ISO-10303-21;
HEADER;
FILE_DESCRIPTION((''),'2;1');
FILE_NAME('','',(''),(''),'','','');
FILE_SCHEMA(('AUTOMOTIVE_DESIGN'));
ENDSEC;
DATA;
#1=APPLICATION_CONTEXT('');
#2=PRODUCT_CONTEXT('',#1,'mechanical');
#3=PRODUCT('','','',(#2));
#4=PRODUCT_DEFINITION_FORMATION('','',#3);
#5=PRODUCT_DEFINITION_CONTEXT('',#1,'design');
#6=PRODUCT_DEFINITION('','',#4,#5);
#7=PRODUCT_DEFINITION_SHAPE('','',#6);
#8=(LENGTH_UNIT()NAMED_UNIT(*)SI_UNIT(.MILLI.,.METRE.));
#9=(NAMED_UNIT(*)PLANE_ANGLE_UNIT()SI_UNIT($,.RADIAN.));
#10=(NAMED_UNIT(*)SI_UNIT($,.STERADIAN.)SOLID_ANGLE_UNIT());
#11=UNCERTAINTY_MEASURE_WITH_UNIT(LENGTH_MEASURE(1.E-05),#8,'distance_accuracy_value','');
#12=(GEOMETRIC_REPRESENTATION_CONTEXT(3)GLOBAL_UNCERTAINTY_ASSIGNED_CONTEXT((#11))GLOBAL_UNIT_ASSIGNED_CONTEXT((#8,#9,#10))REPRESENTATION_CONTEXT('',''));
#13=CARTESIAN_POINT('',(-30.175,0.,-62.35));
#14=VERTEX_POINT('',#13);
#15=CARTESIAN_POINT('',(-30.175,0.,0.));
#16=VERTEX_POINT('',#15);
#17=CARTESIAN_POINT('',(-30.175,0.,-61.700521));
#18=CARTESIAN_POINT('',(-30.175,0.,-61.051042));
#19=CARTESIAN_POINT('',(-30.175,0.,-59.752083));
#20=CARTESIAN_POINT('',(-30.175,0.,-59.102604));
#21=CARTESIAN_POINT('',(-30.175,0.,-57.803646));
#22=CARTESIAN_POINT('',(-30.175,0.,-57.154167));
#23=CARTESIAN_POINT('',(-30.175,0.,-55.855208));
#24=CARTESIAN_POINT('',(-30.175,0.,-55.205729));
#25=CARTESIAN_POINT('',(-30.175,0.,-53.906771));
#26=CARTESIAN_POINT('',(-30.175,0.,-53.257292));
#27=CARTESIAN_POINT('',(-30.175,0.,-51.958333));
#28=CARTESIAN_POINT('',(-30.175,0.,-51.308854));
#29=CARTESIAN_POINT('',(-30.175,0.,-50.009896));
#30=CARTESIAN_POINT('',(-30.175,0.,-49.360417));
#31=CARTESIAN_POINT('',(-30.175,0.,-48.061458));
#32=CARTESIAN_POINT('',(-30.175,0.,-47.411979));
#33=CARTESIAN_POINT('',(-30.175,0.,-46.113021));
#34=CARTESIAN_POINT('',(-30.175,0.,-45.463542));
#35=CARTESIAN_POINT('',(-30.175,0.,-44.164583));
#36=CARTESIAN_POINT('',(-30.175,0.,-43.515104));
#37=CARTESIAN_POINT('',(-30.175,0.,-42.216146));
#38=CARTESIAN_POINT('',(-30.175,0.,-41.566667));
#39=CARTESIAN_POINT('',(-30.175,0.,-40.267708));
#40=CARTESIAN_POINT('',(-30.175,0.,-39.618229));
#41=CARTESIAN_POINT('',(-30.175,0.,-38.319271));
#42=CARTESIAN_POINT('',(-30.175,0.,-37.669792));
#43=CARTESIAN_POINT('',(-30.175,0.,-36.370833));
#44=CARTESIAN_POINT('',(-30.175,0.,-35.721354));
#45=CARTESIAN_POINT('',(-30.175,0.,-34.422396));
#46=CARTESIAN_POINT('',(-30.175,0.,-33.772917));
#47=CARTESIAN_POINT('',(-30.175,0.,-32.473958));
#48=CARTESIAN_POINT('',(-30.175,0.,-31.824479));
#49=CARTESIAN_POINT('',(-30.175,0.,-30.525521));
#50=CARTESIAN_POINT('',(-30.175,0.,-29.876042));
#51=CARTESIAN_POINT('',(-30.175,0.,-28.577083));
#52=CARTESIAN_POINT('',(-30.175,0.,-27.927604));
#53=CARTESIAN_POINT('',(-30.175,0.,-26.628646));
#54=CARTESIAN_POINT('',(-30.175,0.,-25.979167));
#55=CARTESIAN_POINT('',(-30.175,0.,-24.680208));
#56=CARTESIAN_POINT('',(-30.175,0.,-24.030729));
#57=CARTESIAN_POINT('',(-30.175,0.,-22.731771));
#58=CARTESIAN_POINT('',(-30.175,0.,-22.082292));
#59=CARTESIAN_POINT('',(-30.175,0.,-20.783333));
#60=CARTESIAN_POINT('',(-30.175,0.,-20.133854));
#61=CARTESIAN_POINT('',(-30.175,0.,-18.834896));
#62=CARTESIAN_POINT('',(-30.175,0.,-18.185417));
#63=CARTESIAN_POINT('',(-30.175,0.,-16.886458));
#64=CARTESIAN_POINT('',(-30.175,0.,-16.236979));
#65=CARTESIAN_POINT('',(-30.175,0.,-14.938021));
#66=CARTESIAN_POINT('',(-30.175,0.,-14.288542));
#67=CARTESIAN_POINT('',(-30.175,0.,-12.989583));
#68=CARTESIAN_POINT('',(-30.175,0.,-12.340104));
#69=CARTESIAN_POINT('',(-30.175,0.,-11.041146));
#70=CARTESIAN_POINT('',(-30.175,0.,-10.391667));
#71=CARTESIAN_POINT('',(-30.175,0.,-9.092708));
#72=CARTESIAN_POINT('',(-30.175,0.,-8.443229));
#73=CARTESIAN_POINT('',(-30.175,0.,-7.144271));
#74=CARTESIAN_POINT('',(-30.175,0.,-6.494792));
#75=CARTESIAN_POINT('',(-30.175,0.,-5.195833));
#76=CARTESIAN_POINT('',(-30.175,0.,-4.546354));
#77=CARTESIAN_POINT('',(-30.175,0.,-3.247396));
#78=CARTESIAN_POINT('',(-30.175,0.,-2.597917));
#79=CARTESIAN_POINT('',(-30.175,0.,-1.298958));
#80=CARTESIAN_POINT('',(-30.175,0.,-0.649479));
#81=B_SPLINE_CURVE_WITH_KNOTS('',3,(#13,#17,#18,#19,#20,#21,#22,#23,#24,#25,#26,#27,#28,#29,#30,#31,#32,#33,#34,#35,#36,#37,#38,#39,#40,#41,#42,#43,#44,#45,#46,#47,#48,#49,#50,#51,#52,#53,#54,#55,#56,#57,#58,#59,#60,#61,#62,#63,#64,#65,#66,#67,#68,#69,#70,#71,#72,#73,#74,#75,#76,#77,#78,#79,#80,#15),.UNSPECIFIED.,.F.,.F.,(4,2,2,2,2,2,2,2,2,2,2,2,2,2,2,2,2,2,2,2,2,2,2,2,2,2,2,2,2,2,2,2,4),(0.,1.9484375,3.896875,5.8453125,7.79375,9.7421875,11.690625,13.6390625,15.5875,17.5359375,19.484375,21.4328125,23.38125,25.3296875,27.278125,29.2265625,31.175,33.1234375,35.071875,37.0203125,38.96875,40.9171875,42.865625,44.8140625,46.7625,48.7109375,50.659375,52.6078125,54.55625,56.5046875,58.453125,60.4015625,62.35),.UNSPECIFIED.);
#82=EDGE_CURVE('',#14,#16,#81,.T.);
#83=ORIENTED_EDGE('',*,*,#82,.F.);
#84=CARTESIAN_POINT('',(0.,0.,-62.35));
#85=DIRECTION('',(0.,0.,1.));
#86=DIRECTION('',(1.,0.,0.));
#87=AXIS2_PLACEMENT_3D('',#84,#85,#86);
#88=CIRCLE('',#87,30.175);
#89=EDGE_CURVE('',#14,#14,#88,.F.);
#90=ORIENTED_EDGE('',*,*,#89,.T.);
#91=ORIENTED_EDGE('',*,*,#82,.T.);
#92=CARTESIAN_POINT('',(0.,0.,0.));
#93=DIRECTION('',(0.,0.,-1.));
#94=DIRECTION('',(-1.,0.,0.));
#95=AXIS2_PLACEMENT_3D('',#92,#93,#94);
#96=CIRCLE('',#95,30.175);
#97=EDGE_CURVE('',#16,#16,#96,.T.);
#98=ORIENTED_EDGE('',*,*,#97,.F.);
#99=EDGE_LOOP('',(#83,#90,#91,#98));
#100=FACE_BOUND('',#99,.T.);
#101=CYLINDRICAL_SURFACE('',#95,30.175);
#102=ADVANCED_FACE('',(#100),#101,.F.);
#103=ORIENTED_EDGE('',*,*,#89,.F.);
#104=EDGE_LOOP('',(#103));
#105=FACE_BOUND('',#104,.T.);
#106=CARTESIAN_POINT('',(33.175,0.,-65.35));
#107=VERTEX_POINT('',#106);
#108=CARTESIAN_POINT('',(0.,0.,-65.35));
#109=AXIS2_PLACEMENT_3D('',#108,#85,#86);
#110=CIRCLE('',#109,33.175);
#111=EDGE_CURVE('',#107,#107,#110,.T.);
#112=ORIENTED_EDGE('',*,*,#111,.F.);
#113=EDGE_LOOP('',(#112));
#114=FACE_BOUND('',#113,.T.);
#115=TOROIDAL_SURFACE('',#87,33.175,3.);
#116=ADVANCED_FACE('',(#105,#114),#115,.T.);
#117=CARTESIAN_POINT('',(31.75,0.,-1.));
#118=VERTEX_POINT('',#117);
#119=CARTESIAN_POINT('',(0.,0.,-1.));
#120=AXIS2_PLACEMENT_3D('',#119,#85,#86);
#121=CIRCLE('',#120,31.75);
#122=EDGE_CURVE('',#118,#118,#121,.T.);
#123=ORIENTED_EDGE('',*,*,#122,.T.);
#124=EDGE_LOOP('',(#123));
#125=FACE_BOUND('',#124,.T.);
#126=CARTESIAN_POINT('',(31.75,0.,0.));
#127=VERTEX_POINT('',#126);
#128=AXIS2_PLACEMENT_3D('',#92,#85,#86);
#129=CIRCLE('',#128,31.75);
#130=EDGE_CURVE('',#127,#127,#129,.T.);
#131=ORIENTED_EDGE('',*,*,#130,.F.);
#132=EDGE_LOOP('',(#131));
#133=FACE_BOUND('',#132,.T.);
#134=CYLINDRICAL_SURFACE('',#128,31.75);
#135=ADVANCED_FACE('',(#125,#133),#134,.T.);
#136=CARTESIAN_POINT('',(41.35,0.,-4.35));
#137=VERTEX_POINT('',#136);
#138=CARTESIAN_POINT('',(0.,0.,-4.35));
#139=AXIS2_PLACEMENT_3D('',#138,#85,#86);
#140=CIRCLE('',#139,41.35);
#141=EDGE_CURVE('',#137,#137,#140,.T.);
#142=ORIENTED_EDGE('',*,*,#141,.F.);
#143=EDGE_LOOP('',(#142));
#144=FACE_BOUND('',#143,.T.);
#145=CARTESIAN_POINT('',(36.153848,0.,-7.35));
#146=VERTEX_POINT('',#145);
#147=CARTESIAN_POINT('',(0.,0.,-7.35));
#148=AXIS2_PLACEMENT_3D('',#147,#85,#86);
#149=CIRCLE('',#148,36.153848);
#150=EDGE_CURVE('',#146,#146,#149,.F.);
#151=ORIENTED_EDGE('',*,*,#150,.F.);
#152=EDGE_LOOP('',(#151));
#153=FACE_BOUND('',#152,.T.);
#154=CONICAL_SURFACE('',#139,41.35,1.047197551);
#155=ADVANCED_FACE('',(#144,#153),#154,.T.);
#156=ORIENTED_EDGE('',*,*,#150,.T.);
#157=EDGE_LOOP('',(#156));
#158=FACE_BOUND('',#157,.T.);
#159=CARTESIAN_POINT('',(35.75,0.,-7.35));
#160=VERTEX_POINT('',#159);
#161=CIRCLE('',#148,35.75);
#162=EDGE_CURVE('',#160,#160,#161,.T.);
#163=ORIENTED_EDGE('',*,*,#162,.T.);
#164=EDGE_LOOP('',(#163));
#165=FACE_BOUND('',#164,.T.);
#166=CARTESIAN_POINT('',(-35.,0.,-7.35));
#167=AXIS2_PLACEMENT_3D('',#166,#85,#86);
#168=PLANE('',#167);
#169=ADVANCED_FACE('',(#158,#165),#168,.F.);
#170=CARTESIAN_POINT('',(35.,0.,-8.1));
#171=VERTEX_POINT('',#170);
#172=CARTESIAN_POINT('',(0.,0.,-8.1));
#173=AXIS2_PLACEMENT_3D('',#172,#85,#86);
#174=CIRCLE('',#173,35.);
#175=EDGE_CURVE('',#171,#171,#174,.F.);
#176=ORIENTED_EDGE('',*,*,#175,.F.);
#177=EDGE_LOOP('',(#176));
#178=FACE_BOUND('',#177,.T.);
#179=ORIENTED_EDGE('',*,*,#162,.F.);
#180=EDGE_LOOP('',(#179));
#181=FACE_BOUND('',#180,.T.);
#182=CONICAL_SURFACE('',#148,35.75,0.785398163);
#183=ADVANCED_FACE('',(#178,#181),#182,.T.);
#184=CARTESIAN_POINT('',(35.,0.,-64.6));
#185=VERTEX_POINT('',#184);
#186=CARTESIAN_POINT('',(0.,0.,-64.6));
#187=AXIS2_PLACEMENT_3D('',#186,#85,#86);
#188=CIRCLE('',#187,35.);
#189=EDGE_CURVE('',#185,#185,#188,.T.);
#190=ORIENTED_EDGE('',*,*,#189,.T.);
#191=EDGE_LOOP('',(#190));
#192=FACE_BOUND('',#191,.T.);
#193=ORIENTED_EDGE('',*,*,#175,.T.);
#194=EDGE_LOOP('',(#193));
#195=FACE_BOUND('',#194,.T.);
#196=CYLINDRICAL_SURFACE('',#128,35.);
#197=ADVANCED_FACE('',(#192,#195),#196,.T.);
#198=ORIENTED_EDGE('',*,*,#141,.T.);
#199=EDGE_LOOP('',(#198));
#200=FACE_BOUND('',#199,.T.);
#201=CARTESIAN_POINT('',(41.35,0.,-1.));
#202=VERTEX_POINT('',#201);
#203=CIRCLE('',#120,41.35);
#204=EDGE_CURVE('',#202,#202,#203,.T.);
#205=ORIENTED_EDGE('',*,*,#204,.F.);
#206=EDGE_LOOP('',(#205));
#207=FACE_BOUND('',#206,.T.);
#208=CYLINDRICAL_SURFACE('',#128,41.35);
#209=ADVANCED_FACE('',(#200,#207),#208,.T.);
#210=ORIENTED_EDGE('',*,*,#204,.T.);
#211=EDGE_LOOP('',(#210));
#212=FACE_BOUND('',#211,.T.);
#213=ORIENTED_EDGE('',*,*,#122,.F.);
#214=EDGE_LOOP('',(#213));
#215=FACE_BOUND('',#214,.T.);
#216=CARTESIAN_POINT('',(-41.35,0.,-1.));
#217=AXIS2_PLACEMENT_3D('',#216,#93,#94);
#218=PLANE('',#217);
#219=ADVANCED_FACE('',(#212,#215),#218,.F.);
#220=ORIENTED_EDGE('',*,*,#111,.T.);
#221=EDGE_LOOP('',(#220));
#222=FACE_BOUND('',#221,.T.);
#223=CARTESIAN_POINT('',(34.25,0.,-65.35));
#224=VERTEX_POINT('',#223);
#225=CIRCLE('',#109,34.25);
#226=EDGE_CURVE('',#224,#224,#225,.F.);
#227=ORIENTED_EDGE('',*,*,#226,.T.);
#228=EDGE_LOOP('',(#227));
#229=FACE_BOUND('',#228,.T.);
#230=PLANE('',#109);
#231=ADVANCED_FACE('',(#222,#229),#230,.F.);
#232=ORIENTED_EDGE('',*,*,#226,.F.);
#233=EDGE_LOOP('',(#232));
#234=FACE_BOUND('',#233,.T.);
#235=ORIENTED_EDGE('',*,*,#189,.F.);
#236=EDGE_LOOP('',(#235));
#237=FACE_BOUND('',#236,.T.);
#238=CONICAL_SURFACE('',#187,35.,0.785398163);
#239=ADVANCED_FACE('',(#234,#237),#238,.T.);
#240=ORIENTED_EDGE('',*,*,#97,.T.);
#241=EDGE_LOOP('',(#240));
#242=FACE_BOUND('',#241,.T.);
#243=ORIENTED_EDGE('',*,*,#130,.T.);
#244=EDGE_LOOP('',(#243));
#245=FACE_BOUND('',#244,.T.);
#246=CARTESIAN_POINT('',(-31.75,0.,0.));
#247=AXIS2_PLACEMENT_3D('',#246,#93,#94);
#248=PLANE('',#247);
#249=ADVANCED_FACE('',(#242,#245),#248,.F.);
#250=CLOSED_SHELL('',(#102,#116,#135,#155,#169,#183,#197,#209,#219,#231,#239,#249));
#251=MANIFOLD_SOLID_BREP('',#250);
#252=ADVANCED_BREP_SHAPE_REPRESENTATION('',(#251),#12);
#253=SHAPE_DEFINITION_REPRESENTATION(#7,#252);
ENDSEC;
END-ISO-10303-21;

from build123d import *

# Parameters (mm, degrees)
SKETCH2_R          = 30.175
CUT_EXTRUDE1_DEPTH = 88.694170274
CHAMFER1_SIZE      = 0.75
CHAMFER2_SIZE      = 3
CHAMFER2_SIZE2     = 5.196152423
FILLET1_R          = 3


with BuildPart() as part:
    # Sketch1 → Revolve1 (revolve)
    with BuildSketch(Plane(origin=(0, 0, 0), x_dir=(1, 0, 0), z_dir=(0, 1, 0)), mode=Mode.PRIVATE) as revolve1_sk:
        Polygon((0, 0), (0, 65.35), (-35, 65.35), (-35, 7.35), (-41.35, 7.35), (-41.35, 1), (-31.75, 1), (-31.75, 0), align=None)
    revolve(revolve1_sk.sketch.rotate(Axis((0, 0, 0), (0, 0, -1)), 180), axis=Axis((0, 0, 0), (0, 0, -1)))

    # Sketch2 → Cut-Extrude1 (cut, through all)
    with BuildSketch(Plane(origin=(0, 0, -65.35), x_dir=(-1, 0, 0), z_dir=(0, 0, -1))):
        Circle(SKETCH2_R)
    extrude(amount=-CUT_EXTRUDE1_DEPTH, mode=Mode.SUBTRACT)

    # Chamfer1
    chamfer1_edges = [part.edges().sort_by_distance(p)[0] for p in [
        (-35, 0, -7.35),
        (-35, 0, -65.35),
    ]]
    chamfer(chamfer1_edges, length=CHAMFER1_SIZE)

    # Chamfer2
    chamfer2_edges = [part.edges().sort_by_distance(p)[0] for p in [
        (-41.35, 0, -7.35),
    ]]
    chamfer2_side = [part.faces().sort_by_distance(p)[0] for p in [
        (-41.35, 0, -4.175),
    ]]
    chamfer(chamfer2_edges, length=CHAMFER2_SIZE, length2=CHAMFER2_SIZE2, reference=chamfer2_side[0])

    # Fillet1
    fillet1_edges = [part.edges().sort_by_distance(p)[0] for p in [
        (30.175, 0, -65.35),
    ]]
    fillet(fillet1_edges, radius=FILLET1_R)


solid = part.part
